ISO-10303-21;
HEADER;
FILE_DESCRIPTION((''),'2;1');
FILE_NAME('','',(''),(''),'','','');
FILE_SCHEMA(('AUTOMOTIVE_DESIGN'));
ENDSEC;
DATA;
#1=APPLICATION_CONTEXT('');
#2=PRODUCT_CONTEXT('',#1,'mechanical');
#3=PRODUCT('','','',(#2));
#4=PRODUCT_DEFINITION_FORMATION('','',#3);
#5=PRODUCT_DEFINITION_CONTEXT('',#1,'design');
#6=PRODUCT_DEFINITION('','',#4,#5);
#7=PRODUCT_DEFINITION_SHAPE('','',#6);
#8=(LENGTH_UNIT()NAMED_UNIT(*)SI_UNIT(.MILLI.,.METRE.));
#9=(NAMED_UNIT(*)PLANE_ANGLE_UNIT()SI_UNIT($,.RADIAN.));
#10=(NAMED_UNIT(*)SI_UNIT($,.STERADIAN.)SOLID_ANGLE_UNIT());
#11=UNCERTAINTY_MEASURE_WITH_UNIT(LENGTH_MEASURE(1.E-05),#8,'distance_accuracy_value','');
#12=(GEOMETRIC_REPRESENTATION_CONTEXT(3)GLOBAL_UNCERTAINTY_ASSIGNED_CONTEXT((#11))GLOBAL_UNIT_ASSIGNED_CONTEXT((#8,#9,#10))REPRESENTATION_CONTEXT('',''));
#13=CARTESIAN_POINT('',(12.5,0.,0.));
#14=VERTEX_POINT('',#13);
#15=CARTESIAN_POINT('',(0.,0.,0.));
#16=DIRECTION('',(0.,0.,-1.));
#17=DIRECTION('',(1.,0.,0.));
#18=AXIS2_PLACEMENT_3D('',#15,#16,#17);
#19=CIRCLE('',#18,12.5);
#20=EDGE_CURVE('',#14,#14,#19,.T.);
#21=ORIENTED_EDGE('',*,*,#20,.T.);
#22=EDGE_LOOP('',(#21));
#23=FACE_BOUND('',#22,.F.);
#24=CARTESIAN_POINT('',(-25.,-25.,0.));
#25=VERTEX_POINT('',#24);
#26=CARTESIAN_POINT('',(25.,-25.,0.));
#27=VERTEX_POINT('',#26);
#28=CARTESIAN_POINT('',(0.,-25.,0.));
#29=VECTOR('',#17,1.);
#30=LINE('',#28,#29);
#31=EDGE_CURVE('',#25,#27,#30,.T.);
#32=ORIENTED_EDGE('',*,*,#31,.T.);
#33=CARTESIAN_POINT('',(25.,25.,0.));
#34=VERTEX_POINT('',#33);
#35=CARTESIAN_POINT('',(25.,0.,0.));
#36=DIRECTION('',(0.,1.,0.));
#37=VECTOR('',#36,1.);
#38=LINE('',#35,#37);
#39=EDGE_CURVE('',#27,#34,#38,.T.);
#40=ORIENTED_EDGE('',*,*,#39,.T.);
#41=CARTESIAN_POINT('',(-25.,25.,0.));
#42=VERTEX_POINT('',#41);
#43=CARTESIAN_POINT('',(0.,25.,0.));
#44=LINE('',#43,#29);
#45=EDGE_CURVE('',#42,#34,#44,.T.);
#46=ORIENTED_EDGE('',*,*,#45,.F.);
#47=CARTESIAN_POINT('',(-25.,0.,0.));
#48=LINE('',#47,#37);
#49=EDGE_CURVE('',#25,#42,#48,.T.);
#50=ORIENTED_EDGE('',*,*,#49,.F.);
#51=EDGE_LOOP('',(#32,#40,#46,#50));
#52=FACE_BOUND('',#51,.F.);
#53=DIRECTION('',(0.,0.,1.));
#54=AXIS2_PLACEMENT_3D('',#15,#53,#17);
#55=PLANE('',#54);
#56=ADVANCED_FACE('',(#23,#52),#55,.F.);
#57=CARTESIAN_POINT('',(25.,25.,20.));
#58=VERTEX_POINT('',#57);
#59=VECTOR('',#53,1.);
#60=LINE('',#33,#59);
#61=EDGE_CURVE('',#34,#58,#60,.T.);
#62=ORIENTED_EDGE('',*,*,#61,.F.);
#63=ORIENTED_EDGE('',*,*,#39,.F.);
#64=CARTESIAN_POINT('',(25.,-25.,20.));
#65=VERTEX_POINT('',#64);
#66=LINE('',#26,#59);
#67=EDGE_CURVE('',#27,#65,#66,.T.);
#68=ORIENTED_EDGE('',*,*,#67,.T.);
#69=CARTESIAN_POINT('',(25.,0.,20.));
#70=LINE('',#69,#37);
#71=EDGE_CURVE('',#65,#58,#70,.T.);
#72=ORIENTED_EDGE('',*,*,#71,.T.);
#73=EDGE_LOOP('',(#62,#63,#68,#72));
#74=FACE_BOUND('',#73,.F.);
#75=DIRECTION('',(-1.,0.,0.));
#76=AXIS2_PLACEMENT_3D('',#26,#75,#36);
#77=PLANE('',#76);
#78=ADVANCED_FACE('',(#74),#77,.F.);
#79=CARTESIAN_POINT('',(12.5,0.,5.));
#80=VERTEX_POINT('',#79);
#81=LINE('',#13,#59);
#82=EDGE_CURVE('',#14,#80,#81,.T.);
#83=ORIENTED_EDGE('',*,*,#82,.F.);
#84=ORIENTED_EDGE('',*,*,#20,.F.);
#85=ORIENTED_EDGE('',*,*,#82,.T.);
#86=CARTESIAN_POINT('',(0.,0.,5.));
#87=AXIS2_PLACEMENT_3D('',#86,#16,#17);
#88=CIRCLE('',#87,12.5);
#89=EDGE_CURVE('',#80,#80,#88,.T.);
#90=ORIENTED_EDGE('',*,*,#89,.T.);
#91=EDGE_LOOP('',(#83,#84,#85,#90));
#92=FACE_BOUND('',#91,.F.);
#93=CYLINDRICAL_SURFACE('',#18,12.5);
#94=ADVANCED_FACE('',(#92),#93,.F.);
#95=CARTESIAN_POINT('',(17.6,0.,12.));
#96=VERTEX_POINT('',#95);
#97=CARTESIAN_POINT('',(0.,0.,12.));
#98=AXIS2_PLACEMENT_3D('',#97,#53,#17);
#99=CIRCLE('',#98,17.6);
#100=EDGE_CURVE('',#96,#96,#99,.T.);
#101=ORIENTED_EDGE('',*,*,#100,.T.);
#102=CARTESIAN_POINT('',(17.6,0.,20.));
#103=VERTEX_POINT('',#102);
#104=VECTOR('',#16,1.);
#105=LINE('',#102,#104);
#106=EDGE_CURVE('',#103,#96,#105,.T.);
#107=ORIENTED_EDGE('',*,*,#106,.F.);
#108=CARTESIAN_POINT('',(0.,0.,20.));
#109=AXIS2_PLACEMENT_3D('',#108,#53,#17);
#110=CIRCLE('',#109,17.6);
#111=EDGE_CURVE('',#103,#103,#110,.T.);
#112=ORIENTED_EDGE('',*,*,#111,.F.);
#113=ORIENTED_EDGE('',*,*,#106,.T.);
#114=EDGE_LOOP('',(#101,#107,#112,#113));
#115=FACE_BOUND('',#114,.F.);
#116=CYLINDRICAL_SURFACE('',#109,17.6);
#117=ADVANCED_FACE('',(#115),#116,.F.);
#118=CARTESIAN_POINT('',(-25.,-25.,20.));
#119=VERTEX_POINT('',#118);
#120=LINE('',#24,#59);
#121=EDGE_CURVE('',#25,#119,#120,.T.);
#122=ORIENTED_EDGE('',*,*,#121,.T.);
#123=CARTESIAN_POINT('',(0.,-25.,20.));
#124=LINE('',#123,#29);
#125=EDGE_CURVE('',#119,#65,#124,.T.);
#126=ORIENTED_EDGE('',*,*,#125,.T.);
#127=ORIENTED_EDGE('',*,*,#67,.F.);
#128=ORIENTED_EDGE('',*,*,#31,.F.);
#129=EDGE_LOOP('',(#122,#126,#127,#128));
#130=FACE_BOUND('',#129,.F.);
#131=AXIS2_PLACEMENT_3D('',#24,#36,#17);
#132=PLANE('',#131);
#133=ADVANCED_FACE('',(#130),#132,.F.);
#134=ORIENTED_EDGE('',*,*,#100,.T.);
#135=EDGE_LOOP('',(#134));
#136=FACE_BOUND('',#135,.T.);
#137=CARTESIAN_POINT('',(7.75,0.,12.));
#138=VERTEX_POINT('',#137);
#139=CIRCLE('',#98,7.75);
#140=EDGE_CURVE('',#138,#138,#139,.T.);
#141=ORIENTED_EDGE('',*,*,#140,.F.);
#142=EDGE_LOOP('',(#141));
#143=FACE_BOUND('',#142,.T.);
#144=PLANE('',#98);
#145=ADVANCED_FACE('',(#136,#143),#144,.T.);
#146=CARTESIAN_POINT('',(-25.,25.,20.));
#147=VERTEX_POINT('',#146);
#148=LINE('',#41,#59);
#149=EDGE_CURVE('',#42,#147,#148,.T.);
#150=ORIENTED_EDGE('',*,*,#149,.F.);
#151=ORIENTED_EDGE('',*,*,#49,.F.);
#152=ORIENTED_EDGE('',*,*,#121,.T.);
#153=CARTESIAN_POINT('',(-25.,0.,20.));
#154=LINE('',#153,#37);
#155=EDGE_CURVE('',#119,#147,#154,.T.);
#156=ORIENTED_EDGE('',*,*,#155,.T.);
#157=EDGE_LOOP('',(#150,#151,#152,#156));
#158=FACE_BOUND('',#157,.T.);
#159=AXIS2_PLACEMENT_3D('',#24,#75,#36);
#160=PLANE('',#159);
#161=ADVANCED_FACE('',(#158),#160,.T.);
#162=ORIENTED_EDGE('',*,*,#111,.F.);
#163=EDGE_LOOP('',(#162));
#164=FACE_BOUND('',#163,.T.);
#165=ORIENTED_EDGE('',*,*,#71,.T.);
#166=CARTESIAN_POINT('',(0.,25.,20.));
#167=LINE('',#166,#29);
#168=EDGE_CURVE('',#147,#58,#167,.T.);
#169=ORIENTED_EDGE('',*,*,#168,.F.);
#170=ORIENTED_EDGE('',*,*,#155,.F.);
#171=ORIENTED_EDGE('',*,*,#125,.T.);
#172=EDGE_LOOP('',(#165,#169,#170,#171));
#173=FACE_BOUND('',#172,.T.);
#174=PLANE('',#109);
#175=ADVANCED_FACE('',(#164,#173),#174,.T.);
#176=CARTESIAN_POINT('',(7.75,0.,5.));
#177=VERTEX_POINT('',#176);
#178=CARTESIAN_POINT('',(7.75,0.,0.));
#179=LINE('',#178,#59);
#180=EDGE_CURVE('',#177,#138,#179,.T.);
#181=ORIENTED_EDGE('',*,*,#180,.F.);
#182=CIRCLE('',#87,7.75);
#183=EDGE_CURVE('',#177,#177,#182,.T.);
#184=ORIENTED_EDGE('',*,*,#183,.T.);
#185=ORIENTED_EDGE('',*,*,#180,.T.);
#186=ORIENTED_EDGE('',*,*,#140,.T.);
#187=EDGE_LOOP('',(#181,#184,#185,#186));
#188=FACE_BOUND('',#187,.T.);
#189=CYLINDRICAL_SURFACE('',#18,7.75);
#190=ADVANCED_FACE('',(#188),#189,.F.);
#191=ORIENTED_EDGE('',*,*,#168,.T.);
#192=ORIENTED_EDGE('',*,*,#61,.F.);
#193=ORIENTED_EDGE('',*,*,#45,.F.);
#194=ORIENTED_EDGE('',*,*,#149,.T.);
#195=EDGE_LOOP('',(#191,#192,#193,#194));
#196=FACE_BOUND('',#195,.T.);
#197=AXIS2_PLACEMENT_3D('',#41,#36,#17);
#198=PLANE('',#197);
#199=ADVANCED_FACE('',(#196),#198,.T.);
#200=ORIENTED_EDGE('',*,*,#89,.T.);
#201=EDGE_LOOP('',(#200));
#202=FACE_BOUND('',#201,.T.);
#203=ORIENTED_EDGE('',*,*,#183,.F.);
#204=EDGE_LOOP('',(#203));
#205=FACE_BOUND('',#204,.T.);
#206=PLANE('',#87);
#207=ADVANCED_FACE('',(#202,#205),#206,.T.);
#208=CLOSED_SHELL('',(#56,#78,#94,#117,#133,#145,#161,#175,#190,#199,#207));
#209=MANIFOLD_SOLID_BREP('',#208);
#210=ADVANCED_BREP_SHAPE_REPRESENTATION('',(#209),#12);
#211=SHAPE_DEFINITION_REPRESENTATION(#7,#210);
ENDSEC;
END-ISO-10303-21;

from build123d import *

# Parameters (mm, degrees)
F0_W     = 50
F0_H     = 50
F0_R     = 7.75
F1_DEPTH = 20
F2_R     = 17.6
F2_R_2   = 7.75
F3_DEPTH = 8
F4_R     = 12.5
F4_R_2   = 7.75
F5_DEPTH = 5


with BuildPart() as f1:
    # F0 (on Top) → F1 (new body)
    with BuildSketch(Plane.XY):
        Rectangle(F0_W, F0_H)
        Circle(F0_R, mode=Mode.SUBTRACT)
    extrude(amount=F1_DEPTH)

    # F2 (on face) → F3 (cut)
    with BuildSketch(Plane.XY.offset(20)):
        Circle(F2_R)
        Circle(F2_R_2, mode=Mode.SUBTRACT)
    extrude(amount=-F3_DEPTH, mode=Mode.SUBTRACT)

    # F4 (on face) → F5 (cut)
    with BuildSketch(Plane(origin=(0, 0, 0), x_dir=(1, 0, 0), z_dir=(0, 0, -1))):
        Circle(F4_R)
        Circle(F4_R_2, mode=Mode.SUBTRACT)
    extrude(amount=-F5_DEPTH, mode=Mode.SUBTRACT)


solid = f1.part
